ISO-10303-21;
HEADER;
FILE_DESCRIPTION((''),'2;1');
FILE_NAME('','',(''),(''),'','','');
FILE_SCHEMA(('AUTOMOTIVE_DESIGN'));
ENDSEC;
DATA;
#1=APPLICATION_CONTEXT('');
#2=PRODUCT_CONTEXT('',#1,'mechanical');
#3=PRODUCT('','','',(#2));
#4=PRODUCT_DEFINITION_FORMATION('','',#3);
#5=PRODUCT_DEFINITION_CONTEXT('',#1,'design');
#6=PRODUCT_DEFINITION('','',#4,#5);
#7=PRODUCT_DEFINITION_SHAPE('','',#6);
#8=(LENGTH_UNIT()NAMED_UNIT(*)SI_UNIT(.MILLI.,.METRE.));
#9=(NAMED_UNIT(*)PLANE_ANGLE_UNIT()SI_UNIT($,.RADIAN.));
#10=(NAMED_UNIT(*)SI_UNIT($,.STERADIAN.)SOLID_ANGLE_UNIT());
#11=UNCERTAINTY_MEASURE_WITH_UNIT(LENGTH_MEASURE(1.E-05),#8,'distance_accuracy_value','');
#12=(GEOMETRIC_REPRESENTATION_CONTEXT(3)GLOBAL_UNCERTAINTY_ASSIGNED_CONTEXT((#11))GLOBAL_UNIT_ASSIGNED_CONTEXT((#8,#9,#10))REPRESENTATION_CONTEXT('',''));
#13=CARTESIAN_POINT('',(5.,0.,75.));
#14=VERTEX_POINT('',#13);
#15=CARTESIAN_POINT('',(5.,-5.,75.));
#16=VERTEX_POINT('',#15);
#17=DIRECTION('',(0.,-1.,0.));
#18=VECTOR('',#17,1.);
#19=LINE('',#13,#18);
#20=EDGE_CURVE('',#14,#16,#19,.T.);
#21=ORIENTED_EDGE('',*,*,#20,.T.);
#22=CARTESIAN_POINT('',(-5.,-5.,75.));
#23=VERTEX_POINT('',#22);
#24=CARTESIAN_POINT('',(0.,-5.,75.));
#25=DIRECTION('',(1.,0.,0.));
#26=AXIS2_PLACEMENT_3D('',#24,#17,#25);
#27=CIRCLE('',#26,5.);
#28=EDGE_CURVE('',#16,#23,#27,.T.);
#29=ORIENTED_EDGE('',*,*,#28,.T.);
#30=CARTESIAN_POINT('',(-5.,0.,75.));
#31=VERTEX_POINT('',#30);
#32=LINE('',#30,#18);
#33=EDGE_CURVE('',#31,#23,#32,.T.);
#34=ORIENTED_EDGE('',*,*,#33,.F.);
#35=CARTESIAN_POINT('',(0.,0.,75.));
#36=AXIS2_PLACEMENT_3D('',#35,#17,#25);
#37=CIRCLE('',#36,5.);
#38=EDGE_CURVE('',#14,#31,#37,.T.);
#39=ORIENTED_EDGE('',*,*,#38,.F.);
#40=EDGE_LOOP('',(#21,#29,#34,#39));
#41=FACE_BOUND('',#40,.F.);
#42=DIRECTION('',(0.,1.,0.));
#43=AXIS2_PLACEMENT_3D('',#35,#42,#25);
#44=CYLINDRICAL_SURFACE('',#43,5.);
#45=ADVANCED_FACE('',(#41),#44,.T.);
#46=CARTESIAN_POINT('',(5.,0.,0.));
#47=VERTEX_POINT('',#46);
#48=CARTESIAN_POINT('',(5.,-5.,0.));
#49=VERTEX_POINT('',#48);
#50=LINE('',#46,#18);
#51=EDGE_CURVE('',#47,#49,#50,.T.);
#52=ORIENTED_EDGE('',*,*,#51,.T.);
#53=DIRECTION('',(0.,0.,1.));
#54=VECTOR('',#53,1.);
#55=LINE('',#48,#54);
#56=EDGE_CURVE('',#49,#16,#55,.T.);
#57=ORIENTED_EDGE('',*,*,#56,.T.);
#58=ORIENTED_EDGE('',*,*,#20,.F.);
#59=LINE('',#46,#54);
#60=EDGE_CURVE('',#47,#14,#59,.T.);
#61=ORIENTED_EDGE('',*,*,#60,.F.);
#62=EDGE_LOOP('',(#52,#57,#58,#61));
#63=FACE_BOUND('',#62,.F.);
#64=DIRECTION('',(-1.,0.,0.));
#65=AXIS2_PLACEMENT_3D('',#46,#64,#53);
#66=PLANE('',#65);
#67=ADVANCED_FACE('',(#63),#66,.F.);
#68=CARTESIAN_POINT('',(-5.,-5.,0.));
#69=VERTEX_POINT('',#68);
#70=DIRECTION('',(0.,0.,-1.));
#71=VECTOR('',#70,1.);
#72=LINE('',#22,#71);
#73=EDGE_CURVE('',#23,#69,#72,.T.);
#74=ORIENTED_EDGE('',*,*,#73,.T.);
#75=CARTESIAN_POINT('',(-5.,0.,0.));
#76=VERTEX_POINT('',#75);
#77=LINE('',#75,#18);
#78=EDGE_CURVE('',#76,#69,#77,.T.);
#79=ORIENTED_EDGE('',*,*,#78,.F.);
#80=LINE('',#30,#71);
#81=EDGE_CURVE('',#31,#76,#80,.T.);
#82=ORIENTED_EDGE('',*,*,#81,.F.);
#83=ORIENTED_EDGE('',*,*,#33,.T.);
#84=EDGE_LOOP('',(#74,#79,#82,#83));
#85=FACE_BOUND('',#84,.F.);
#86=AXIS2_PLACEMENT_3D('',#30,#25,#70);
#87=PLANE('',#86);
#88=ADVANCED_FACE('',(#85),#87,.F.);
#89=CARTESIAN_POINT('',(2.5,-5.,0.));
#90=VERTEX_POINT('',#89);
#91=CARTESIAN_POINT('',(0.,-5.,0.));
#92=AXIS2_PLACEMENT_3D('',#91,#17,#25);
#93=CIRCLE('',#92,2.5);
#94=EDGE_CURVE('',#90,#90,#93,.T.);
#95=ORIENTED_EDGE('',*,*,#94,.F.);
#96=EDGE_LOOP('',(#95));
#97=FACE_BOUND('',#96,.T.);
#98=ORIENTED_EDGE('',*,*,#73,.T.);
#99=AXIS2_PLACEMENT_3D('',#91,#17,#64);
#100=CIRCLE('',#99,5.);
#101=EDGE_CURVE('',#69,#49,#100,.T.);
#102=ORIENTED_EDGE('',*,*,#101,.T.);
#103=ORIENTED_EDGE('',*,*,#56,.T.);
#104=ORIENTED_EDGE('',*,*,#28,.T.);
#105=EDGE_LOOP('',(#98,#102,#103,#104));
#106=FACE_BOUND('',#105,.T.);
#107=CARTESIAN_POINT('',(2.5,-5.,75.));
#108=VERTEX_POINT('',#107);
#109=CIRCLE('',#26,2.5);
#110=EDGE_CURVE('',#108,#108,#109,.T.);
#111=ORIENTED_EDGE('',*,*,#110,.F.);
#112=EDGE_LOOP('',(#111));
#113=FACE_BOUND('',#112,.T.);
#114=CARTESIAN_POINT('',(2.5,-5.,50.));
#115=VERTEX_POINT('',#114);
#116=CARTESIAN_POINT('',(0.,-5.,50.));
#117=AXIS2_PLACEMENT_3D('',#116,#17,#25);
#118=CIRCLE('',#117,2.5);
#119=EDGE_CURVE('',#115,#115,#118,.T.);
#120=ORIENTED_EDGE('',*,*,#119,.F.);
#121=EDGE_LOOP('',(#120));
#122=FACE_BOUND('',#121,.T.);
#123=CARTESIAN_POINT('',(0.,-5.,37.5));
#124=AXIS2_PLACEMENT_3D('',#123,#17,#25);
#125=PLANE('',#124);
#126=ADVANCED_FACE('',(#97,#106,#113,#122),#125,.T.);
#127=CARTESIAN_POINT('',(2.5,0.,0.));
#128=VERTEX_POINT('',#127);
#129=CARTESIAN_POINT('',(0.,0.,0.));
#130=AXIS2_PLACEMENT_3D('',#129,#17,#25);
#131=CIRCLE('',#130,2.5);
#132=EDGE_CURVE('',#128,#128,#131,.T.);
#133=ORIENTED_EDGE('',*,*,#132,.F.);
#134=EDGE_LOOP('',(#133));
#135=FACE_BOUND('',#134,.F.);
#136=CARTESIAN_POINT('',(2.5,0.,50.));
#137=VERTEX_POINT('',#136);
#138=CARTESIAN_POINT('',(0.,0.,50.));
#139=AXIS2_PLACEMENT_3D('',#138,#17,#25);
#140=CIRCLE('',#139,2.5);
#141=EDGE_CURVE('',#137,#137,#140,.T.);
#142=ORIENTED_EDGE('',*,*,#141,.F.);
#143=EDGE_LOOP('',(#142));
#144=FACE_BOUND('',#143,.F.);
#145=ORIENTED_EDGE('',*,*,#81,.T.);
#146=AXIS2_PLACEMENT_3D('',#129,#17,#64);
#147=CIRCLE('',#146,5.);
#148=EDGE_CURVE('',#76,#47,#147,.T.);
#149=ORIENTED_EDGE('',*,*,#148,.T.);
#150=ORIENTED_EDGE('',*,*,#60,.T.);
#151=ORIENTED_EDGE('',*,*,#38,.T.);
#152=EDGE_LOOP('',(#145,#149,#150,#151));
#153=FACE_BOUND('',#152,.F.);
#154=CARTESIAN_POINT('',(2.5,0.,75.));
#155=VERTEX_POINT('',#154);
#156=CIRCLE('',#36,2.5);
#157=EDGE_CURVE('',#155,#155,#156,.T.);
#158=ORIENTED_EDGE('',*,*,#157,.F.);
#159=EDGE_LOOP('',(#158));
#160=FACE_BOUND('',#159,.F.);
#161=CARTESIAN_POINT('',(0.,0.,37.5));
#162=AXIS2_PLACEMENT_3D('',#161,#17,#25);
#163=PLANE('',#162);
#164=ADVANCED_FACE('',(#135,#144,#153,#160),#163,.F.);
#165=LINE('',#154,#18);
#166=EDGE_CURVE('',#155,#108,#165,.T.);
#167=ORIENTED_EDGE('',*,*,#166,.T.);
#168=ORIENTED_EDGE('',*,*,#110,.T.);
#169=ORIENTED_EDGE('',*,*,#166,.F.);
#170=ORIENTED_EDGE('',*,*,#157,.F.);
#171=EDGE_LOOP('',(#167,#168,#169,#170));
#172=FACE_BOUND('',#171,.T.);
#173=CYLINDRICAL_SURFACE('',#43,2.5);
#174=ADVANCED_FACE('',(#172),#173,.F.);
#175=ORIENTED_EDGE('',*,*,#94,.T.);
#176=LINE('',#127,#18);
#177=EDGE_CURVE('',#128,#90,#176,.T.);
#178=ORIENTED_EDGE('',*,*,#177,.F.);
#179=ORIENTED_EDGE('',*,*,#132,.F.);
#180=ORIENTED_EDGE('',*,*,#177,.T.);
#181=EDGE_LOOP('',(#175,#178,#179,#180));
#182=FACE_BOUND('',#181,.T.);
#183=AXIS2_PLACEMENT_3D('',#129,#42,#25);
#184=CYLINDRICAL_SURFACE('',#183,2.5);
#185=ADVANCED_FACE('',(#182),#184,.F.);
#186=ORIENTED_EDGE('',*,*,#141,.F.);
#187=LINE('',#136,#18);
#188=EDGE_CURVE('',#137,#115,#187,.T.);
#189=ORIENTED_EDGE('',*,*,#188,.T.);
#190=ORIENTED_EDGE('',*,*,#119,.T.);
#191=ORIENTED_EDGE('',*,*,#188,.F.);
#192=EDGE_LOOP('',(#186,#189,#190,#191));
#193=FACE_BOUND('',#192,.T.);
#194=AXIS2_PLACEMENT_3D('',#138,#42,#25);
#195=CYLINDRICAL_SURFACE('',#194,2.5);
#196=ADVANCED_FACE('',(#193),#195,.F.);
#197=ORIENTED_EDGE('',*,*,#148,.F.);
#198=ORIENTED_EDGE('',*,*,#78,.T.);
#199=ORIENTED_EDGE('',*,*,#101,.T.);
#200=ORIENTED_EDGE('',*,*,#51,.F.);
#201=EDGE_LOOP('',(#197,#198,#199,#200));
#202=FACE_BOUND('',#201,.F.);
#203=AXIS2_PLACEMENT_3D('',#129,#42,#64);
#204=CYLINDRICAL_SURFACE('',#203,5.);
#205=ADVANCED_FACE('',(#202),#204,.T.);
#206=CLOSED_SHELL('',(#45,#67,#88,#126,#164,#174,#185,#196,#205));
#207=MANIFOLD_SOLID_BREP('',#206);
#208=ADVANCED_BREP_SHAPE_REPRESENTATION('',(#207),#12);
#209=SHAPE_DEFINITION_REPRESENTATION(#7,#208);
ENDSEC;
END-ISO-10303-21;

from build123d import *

# Parameters (mm, degrees)
F0_R     = 2.5
F1_DEPTH = 5


with BuildPart() as f1:
    # F0 (on Front) → F1 (new body)
    with BuildSketch(Plane.XZ):
        with BuildLine():
            Line((-5, 75), (-5, 0))
            ThreePointArc((-5, 0), (0, -5), (5, 0))
            Line((5, 0), (5, 75))
            ThreePointArc((5, 75), (0, 80), (-5, 75))
        make_face()
        Circle(F0_R, mode=Mode.SUBTRACT)
        with Locations((0, 50)):
            Circle(F0_R, mode=Mode.SUBTRACT)
        with Locations((0, 75)):
            Circle(F0_R, mode=Mode.SUBTRACT)
    extrude(amount=F1_DEPTH)


solid = f1.part
